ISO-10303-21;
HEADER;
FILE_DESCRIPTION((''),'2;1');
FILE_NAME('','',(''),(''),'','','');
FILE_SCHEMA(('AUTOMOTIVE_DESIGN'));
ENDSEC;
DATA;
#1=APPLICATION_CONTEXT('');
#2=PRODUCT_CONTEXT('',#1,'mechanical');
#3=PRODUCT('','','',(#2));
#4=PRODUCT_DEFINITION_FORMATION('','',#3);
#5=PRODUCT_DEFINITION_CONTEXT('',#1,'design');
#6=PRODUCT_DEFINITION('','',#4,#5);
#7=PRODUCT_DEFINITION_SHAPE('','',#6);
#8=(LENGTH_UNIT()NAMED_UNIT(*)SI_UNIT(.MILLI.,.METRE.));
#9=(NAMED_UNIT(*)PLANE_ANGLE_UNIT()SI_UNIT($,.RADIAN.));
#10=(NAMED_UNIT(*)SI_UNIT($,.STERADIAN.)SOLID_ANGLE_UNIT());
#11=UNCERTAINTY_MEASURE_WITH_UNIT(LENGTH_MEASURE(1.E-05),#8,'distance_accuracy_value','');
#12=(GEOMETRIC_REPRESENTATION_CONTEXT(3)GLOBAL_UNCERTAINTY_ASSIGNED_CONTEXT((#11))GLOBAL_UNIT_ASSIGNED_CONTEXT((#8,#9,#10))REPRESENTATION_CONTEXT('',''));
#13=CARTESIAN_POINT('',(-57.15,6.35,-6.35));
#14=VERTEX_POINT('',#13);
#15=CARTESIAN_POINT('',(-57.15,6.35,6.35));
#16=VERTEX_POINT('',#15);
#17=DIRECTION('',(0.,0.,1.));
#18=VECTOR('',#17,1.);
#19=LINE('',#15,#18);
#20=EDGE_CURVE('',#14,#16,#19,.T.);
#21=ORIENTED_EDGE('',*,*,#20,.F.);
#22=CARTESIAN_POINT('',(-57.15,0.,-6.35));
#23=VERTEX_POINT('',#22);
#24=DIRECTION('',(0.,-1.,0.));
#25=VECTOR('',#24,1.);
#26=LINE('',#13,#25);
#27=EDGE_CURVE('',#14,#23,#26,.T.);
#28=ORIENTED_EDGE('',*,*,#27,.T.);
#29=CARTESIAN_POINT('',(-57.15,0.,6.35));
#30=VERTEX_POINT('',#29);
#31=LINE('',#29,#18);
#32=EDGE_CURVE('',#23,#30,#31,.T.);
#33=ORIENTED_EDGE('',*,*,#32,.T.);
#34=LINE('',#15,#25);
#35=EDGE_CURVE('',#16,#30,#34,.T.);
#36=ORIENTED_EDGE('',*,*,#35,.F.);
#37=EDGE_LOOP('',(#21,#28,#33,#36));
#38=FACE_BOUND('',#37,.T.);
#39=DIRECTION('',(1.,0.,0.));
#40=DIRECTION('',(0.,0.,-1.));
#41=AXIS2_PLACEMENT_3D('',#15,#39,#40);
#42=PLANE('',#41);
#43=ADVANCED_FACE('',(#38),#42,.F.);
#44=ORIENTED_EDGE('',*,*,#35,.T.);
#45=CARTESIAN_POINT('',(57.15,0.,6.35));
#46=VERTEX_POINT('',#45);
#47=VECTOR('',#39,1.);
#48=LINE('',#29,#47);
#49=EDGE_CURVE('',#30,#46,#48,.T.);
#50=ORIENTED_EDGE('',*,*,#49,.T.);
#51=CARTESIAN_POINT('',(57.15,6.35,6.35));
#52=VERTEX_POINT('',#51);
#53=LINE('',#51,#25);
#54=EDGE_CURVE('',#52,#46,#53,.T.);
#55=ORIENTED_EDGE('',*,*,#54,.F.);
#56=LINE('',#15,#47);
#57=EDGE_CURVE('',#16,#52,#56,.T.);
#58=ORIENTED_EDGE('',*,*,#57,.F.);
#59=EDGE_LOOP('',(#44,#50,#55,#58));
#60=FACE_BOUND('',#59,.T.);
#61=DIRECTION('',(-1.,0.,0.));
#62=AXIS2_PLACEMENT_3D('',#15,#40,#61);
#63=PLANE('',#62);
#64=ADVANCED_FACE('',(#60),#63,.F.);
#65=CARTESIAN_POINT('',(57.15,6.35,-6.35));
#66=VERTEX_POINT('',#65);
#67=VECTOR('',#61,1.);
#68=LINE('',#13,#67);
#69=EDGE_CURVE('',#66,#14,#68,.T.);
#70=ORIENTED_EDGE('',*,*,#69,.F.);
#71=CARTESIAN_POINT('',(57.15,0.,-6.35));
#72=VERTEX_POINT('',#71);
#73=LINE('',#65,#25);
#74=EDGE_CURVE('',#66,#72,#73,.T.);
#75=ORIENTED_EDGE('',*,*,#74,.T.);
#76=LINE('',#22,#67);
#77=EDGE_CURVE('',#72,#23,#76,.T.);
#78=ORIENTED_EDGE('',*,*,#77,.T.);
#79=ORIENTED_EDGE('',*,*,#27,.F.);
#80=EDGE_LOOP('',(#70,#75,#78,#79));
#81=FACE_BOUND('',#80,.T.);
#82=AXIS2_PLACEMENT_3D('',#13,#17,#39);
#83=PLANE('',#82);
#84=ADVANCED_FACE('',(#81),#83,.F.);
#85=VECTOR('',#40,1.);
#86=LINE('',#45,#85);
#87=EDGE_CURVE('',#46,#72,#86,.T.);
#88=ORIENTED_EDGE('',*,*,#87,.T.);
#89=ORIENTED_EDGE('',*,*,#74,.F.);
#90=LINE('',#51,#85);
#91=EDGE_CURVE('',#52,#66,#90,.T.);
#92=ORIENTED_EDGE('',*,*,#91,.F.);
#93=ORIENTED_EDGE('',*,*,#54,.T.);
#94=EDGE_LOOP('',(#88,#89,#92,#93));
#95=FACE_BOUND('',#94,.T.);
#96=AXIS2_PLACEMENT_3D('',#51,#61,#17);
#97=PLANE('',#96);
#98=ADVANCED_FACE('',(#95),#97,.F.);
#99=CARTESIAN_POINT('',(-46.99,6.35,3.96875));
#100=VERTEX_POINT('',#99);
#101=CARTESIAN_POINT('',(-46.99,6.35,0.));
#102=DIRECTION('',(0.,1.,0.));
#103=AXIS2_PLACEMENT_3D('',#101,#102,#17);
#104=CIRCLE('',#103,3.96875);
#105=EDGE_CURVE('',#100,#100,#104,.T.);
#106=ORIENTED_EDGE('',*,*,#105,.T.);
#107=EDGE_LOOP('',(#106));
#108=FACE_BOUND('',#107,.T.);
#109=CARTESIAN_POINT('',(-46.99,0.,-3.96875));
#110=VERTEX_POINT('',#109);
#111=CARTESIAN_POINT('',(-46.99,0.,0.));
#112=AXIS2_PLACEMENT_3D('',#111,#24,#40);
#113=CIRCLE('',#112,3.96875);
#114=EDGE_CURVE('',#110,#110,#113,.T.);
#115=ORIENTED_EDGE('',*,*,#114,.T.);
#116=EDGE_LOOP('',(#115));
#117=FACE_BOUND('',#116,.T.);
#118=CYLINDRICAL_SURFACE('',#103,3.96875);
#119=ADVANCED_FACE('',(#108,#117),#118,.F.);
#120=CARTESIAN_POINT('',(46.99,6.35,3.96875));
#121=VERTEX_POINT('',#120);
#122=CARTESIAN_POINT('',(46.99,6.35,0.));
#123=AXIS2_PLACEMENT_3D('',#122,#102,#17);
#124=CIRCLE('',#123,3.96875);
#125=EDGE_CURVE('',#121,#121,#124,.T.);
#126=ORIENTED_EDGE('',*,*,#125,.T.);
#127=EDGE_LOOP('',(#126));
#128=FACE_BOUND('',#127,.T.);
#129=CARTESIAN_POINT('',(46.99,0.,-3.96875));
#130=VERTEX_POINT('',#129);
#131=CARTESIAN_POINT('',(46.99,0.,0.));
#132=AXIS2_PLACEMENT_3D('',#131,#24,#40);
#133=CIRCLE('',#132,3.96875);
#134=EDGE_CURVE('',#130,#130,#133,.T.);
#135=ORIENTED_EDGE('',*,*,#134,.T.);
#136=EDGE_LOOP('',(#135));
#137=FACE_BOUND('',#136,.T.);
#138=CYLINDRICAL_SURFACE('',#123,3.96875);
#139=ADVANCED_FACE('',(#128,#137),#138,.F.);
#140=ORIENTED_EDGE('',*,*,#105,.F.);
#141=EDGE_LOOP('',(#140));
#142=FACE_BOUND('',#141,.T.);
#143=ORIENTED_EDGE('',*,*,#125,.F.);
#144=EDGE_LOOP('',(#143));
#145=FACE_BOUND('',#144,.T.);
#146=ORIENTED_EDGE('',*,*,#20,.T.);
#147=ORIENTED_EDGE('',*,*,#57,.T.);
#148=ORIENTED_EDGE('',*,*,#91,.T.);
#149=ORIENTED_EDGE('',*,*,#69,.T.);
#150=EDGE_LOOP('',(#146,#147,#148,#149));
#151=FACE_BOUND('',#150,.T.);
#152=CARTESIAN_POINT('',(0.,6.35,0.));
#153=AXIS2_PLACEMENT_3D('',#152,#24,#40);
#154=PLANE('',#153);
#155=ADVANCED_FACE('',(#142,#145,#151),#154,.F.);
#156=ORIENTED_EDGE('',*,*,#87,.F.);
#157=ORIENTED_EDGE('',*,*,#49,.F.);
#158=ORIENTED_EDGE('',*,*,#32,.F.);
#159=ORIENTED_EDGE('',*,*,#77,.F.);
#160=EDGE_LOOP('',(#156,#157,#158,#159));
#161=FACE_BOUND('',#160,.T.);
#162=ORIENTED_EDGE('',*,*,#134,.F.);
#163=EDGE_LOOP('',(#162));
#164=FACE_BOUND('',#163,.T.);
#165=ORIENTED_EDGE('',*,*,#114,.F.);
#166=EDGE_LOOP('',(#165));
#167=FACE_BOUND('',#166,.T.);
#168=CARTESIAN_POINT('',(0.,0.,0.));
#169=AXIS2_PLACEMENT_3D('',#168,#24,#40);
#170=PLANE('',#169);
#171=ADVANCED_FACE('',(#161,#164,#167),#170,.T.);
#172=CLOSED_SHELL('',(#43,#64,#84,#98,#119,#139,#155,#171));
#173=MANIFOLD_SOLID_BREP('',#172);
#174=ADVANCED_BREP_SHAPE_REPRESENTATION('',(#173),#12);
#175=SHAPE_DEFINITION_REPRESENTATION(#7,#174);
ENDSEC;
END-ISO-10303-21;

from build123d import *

# Parameters (mm, degrees)
SKETCH1_W                          = 114.3
SKETCH1_H                          = 12.7
BOSS_EXTRUDE1_DEPTH                = 6.35
F_5_16_0_3125_DIAMETER_HOLE1_D     = 7.9375
F_5_16_0_3125_DIAMETER_HOLE1_DEPTH = 14.986
F_5_16_0_3125_DIAMETER_HOLE1_TIP   = 2.384665582


with BuildPart() as part:
    # Sketch1 → Boss-Extrude1 (new body)
    with BuildSketch(Plane(origin=(0, 0, 0), x_dir=(1, 0, 0), z_dir=(0, 1, 0))):
        Rectangle(SKETCH1_W, SKETCH1_H)
    extrude(amount=BOSS_EXTRUDE1_DEPTH)

    # 5/16 (0.3125) Diameter Hole1
    with Locations(Plane(origin=(0, 6.35, 0), x_dir=(1, 0, 0), z_dir=(0, 1, 0))):
        with Locations((-46.99, 0), (46.99, 0)):
            Hole(F_5_16_0_3125_DIAMETER_HOLE1_D / 2, depth=F_5_16_0_3125_DIAMETER_HOLE1_DEPTH)
            with Locations((0, 0, -(F_5_16_0_3125_DIAMETER_HOLE1_DEPTH + F_5_16_0_3125_DIAMETER_HOLE1_TIP / 2))):  # 118° drill point
                Cone(0, F_5_16_0_3125_DIAMETER_HOLE1_D / 2, F_5_16_0_3125_DIAMETER_HOLE1_TIP, mode=Mode.SUBTRACT)


solid = part.part
